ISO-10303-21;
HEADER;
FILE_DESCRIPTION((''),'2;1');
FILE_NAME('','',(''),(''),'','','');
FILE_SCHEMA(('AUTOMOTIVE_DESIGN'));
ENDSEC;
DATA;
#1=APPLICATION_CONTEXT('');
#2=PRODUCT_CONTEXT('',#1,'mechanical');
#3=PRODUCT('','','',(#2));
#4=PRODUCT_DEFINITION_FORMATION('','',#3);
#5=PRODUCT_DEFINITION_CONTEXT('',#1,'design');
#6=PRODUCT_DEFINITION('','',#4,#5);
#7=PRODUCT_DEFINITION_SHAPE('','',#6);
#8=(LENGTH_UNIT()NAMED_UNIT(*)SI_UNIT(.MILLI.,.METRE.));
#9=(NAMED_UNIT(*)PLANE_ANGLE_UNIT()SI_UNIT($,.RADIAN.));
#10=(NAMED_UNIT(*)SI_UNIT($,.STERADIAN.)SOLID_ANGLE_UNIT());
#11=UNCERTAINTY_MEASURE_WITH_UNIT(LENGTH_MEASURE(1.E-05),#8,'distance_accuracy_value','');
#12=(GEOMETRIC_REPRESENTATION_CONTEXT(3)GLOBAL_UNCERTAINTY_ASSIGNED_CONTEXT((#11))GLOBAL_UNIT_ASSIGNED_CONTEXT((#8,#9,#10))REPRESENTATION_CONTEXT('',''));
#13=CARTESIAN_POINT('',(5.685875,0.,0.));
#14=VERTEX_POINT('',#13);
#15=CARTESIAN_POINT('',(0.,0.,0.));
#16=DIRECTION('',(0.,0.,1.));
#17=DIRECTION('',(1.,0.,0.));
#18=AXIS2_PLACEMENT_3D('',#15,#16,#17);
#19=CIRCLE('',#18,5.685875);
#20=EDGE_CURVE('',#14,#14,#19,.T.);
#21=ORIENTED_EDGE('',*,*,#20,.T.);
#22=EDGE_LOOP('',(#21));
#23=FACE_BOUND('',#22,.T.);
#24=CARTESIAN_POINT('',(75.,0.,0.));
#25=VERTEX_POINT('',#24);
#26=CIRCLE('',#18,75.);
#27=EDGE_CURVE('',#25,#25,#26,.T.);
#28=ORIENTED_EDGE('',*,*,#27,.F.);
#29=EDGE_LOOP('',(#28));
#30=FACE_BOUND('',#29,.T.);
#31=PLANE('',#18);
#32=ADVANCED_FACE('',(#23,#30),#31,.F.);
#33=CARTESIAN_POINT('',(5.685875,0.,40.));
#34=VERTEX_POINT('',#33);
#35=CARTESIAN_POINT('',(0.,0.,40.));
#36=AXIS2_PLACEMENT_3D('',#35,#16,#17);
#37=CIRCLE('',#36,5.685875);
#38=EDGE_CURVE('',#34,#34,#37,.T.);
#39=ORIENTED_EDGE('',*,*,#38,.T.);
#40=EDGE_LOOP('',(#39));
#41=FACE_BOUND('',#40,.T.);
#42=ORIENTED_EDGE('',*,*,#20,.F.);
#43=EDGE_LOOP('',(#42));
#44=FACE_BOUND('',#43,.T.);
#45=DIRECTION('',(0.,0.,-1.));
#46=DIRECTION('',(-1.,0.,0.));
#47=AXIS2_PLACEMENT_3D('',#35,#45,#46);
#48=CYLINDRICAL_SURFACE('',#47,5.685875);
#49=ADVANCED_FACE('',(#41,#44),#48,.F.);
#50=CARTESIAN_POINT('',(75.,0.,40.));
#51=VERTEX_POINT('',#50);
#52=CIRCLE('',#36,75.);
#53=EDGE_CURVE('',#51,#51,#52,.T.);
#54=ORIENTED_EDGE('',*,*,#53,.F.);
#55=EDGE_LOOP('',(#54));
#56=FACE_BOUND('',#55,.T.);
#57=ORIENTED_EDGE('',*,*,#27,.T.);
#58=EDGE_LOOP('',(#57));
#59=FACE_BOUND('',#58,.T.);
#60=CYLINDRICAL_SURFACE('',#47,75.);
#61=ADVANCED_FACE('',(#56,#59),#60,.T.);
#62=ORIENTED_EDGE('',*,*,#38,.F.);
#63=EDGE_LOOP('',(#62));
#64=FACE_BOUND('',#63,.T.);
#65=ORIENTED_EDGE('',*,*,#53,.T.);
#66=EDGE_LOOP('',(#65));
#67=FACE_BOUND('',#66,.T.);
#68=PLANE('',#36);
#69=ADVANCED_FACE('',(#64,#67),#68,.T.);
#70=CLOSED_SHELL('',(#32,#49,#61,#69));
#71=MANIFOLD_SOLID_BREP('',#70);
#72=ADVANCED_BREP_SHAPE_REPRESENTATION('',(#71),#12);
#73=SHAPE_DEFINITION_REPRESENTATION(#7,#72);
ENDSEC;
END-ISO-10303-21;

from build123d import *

# Parameters (mm, degrees)
SKETCH1_R           = 75
SKETCH1_R_2         = 5.685874895
BOSS_EXTRUDE1_DEPTH = 40


with BuildPart() as part:
    # Sketch1 → Boss-Extrude1 (new body)
    with BuildSketch(Plane.XY):
        Circle(SKETCH1_R)
        Circle(SKETCH1_R_2, mode=Mode.SUBTRACT)
    extrude(amount=BOSS_EXTRUDE1_DEPTH)


solid = part.part
